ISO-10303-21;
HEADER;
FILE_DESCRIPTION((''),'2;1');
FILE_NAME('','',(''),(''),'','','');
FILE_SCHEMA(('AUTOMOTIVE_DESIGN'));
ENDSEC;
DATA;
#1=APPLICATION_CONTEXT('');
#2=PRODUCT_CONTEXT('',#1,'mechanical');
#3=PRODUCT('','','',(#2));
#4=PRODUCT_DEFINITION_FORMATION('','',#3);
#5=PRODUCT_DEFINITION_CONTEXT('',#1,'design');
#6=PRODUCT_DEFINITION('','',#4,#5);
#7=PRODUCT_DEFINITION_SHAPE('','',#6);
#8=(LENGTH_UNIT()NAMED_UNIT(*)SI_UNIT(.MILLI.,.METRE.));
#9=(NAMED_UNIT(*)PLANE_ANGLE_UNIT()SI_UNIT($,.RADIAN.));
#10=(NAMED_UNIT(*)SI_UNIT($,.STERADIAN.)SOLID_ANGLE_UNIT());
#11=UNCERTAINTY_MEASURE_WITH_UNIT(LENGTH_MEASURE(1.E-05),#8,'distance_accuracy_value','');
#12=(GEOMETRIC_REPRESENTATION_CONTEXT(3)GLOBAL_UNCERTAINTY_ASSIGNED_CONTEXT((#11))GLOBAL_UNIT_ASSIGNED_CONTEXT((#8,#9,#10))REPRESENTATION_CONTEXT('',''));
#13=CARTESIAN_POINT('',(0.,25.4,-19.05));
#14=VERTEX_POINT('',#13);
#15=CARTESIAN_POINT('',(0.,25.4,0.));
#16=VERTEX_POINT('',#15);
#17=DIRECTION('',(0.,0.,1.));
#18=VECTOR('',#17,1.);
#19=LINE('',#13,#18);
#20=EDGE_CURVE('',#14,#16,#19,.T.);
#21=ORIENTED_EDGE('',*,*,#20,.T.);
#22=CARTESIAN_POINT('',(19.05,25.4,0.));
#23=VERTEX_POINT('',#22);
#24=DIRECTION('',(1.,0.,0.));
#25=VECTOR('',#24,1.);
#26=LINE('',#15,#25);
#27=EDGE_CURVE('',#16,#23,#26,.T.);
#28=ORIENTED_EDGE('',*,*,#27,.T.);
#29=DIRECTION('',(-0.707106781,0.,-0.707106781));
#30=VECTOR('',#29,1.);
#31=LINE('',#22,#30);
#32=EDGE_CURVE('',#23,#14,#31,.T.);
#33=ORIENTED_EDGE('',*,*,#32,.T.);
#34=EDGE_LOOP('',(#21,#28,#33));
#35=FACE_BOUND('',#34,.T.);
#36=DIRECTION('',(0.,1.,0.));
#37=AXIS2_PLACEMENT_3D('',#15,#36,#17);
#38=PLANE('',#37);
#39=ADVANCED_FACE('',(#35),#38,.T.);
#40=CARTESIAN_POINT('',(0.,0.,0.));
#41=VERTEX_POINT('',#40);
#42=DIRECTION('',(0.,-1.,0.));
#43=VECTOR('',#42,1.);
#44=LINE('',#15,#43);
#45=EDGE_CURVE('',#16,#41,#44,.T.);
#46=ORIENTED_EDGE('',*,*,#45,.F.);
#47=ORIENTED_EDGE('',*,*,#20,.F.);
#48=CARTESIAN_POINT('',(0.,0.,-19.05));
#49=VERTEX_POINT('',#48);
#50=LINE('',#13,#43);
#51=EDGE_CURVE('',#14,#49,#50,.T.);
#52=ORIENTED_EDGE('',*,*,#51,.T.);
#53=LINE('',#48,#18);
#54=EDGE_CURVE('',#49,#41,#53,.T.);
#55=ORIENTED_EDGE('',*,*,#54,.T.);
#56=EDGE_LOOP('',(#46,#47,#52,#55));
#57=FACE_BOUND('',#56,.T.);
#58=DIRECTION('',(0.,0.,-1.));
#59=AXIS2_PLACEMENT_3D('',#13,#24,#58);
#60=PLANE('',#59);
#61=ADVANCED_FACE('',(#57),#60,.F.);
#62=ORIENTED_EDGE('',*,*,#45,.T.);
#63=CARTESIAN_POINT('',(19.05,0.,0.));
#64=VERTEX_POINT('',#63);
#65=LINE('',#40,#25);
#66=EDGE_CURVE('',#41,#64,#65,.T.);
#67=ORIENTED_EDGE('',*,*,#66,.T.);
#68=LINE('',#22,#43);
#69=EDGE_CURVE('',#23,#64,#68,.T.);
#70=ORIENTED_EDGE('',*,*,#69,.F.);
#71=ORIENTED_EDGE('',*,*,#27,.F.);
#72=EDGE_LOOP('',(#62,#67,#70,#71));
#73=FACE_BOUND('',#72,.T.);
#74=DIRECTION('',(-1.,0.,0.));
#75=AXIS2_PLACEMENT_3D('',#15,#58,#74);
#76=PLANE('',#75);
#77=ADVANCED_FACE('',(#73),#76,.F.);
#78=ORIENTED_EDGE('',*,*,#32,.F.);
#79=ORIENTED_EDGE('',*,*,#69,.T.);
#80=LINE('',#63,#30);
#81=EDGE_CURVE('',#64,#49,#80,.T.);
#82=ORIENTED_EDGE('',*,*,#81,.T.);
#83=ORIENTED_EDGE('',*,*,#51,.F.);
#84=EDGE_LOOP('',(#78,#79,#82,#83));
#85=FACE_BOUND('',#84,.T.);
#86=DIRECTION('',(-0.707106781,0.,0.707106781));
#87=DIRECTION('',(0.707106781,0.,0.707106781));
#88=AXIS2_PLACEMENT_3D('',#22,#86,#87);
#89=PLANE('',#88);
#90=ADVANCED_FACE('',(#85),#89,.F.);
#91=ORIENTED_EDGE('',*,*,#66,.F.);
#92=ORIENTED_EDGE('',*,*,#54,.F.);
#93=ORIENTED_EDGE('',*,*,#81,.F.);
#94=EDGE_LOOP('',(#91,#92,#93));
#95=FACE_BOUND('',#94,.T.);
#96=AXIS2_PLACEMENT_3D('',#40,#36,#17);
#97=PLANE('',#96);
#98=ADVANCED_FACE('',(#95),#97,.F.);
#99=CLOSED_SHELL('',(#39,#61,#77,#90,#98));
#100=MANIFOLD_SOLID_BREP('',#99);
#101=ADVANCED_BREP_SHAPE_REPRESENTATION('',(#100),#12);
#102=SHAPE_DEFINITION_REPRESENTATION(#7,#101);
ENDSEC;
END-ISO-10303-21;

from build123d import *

# Parameters (mm, degrees)
BOSS_EXTRUDE1_DEPTH = 25.4


with BuildPart() as part:
    # Sketch1 → Boss-Extrude1 (new body)
    with BuildSketch(Plane(origin=(0, 0, 0), x_dir=(1, 0, 0), z_dir=(0, 1, 0))):
        Polygon((0, 19.05), (0, 0), (19.05, 0), align=None)
    extrude(amount=BOSS_EXTRUDE1_DEPTH)


solid = part.part
